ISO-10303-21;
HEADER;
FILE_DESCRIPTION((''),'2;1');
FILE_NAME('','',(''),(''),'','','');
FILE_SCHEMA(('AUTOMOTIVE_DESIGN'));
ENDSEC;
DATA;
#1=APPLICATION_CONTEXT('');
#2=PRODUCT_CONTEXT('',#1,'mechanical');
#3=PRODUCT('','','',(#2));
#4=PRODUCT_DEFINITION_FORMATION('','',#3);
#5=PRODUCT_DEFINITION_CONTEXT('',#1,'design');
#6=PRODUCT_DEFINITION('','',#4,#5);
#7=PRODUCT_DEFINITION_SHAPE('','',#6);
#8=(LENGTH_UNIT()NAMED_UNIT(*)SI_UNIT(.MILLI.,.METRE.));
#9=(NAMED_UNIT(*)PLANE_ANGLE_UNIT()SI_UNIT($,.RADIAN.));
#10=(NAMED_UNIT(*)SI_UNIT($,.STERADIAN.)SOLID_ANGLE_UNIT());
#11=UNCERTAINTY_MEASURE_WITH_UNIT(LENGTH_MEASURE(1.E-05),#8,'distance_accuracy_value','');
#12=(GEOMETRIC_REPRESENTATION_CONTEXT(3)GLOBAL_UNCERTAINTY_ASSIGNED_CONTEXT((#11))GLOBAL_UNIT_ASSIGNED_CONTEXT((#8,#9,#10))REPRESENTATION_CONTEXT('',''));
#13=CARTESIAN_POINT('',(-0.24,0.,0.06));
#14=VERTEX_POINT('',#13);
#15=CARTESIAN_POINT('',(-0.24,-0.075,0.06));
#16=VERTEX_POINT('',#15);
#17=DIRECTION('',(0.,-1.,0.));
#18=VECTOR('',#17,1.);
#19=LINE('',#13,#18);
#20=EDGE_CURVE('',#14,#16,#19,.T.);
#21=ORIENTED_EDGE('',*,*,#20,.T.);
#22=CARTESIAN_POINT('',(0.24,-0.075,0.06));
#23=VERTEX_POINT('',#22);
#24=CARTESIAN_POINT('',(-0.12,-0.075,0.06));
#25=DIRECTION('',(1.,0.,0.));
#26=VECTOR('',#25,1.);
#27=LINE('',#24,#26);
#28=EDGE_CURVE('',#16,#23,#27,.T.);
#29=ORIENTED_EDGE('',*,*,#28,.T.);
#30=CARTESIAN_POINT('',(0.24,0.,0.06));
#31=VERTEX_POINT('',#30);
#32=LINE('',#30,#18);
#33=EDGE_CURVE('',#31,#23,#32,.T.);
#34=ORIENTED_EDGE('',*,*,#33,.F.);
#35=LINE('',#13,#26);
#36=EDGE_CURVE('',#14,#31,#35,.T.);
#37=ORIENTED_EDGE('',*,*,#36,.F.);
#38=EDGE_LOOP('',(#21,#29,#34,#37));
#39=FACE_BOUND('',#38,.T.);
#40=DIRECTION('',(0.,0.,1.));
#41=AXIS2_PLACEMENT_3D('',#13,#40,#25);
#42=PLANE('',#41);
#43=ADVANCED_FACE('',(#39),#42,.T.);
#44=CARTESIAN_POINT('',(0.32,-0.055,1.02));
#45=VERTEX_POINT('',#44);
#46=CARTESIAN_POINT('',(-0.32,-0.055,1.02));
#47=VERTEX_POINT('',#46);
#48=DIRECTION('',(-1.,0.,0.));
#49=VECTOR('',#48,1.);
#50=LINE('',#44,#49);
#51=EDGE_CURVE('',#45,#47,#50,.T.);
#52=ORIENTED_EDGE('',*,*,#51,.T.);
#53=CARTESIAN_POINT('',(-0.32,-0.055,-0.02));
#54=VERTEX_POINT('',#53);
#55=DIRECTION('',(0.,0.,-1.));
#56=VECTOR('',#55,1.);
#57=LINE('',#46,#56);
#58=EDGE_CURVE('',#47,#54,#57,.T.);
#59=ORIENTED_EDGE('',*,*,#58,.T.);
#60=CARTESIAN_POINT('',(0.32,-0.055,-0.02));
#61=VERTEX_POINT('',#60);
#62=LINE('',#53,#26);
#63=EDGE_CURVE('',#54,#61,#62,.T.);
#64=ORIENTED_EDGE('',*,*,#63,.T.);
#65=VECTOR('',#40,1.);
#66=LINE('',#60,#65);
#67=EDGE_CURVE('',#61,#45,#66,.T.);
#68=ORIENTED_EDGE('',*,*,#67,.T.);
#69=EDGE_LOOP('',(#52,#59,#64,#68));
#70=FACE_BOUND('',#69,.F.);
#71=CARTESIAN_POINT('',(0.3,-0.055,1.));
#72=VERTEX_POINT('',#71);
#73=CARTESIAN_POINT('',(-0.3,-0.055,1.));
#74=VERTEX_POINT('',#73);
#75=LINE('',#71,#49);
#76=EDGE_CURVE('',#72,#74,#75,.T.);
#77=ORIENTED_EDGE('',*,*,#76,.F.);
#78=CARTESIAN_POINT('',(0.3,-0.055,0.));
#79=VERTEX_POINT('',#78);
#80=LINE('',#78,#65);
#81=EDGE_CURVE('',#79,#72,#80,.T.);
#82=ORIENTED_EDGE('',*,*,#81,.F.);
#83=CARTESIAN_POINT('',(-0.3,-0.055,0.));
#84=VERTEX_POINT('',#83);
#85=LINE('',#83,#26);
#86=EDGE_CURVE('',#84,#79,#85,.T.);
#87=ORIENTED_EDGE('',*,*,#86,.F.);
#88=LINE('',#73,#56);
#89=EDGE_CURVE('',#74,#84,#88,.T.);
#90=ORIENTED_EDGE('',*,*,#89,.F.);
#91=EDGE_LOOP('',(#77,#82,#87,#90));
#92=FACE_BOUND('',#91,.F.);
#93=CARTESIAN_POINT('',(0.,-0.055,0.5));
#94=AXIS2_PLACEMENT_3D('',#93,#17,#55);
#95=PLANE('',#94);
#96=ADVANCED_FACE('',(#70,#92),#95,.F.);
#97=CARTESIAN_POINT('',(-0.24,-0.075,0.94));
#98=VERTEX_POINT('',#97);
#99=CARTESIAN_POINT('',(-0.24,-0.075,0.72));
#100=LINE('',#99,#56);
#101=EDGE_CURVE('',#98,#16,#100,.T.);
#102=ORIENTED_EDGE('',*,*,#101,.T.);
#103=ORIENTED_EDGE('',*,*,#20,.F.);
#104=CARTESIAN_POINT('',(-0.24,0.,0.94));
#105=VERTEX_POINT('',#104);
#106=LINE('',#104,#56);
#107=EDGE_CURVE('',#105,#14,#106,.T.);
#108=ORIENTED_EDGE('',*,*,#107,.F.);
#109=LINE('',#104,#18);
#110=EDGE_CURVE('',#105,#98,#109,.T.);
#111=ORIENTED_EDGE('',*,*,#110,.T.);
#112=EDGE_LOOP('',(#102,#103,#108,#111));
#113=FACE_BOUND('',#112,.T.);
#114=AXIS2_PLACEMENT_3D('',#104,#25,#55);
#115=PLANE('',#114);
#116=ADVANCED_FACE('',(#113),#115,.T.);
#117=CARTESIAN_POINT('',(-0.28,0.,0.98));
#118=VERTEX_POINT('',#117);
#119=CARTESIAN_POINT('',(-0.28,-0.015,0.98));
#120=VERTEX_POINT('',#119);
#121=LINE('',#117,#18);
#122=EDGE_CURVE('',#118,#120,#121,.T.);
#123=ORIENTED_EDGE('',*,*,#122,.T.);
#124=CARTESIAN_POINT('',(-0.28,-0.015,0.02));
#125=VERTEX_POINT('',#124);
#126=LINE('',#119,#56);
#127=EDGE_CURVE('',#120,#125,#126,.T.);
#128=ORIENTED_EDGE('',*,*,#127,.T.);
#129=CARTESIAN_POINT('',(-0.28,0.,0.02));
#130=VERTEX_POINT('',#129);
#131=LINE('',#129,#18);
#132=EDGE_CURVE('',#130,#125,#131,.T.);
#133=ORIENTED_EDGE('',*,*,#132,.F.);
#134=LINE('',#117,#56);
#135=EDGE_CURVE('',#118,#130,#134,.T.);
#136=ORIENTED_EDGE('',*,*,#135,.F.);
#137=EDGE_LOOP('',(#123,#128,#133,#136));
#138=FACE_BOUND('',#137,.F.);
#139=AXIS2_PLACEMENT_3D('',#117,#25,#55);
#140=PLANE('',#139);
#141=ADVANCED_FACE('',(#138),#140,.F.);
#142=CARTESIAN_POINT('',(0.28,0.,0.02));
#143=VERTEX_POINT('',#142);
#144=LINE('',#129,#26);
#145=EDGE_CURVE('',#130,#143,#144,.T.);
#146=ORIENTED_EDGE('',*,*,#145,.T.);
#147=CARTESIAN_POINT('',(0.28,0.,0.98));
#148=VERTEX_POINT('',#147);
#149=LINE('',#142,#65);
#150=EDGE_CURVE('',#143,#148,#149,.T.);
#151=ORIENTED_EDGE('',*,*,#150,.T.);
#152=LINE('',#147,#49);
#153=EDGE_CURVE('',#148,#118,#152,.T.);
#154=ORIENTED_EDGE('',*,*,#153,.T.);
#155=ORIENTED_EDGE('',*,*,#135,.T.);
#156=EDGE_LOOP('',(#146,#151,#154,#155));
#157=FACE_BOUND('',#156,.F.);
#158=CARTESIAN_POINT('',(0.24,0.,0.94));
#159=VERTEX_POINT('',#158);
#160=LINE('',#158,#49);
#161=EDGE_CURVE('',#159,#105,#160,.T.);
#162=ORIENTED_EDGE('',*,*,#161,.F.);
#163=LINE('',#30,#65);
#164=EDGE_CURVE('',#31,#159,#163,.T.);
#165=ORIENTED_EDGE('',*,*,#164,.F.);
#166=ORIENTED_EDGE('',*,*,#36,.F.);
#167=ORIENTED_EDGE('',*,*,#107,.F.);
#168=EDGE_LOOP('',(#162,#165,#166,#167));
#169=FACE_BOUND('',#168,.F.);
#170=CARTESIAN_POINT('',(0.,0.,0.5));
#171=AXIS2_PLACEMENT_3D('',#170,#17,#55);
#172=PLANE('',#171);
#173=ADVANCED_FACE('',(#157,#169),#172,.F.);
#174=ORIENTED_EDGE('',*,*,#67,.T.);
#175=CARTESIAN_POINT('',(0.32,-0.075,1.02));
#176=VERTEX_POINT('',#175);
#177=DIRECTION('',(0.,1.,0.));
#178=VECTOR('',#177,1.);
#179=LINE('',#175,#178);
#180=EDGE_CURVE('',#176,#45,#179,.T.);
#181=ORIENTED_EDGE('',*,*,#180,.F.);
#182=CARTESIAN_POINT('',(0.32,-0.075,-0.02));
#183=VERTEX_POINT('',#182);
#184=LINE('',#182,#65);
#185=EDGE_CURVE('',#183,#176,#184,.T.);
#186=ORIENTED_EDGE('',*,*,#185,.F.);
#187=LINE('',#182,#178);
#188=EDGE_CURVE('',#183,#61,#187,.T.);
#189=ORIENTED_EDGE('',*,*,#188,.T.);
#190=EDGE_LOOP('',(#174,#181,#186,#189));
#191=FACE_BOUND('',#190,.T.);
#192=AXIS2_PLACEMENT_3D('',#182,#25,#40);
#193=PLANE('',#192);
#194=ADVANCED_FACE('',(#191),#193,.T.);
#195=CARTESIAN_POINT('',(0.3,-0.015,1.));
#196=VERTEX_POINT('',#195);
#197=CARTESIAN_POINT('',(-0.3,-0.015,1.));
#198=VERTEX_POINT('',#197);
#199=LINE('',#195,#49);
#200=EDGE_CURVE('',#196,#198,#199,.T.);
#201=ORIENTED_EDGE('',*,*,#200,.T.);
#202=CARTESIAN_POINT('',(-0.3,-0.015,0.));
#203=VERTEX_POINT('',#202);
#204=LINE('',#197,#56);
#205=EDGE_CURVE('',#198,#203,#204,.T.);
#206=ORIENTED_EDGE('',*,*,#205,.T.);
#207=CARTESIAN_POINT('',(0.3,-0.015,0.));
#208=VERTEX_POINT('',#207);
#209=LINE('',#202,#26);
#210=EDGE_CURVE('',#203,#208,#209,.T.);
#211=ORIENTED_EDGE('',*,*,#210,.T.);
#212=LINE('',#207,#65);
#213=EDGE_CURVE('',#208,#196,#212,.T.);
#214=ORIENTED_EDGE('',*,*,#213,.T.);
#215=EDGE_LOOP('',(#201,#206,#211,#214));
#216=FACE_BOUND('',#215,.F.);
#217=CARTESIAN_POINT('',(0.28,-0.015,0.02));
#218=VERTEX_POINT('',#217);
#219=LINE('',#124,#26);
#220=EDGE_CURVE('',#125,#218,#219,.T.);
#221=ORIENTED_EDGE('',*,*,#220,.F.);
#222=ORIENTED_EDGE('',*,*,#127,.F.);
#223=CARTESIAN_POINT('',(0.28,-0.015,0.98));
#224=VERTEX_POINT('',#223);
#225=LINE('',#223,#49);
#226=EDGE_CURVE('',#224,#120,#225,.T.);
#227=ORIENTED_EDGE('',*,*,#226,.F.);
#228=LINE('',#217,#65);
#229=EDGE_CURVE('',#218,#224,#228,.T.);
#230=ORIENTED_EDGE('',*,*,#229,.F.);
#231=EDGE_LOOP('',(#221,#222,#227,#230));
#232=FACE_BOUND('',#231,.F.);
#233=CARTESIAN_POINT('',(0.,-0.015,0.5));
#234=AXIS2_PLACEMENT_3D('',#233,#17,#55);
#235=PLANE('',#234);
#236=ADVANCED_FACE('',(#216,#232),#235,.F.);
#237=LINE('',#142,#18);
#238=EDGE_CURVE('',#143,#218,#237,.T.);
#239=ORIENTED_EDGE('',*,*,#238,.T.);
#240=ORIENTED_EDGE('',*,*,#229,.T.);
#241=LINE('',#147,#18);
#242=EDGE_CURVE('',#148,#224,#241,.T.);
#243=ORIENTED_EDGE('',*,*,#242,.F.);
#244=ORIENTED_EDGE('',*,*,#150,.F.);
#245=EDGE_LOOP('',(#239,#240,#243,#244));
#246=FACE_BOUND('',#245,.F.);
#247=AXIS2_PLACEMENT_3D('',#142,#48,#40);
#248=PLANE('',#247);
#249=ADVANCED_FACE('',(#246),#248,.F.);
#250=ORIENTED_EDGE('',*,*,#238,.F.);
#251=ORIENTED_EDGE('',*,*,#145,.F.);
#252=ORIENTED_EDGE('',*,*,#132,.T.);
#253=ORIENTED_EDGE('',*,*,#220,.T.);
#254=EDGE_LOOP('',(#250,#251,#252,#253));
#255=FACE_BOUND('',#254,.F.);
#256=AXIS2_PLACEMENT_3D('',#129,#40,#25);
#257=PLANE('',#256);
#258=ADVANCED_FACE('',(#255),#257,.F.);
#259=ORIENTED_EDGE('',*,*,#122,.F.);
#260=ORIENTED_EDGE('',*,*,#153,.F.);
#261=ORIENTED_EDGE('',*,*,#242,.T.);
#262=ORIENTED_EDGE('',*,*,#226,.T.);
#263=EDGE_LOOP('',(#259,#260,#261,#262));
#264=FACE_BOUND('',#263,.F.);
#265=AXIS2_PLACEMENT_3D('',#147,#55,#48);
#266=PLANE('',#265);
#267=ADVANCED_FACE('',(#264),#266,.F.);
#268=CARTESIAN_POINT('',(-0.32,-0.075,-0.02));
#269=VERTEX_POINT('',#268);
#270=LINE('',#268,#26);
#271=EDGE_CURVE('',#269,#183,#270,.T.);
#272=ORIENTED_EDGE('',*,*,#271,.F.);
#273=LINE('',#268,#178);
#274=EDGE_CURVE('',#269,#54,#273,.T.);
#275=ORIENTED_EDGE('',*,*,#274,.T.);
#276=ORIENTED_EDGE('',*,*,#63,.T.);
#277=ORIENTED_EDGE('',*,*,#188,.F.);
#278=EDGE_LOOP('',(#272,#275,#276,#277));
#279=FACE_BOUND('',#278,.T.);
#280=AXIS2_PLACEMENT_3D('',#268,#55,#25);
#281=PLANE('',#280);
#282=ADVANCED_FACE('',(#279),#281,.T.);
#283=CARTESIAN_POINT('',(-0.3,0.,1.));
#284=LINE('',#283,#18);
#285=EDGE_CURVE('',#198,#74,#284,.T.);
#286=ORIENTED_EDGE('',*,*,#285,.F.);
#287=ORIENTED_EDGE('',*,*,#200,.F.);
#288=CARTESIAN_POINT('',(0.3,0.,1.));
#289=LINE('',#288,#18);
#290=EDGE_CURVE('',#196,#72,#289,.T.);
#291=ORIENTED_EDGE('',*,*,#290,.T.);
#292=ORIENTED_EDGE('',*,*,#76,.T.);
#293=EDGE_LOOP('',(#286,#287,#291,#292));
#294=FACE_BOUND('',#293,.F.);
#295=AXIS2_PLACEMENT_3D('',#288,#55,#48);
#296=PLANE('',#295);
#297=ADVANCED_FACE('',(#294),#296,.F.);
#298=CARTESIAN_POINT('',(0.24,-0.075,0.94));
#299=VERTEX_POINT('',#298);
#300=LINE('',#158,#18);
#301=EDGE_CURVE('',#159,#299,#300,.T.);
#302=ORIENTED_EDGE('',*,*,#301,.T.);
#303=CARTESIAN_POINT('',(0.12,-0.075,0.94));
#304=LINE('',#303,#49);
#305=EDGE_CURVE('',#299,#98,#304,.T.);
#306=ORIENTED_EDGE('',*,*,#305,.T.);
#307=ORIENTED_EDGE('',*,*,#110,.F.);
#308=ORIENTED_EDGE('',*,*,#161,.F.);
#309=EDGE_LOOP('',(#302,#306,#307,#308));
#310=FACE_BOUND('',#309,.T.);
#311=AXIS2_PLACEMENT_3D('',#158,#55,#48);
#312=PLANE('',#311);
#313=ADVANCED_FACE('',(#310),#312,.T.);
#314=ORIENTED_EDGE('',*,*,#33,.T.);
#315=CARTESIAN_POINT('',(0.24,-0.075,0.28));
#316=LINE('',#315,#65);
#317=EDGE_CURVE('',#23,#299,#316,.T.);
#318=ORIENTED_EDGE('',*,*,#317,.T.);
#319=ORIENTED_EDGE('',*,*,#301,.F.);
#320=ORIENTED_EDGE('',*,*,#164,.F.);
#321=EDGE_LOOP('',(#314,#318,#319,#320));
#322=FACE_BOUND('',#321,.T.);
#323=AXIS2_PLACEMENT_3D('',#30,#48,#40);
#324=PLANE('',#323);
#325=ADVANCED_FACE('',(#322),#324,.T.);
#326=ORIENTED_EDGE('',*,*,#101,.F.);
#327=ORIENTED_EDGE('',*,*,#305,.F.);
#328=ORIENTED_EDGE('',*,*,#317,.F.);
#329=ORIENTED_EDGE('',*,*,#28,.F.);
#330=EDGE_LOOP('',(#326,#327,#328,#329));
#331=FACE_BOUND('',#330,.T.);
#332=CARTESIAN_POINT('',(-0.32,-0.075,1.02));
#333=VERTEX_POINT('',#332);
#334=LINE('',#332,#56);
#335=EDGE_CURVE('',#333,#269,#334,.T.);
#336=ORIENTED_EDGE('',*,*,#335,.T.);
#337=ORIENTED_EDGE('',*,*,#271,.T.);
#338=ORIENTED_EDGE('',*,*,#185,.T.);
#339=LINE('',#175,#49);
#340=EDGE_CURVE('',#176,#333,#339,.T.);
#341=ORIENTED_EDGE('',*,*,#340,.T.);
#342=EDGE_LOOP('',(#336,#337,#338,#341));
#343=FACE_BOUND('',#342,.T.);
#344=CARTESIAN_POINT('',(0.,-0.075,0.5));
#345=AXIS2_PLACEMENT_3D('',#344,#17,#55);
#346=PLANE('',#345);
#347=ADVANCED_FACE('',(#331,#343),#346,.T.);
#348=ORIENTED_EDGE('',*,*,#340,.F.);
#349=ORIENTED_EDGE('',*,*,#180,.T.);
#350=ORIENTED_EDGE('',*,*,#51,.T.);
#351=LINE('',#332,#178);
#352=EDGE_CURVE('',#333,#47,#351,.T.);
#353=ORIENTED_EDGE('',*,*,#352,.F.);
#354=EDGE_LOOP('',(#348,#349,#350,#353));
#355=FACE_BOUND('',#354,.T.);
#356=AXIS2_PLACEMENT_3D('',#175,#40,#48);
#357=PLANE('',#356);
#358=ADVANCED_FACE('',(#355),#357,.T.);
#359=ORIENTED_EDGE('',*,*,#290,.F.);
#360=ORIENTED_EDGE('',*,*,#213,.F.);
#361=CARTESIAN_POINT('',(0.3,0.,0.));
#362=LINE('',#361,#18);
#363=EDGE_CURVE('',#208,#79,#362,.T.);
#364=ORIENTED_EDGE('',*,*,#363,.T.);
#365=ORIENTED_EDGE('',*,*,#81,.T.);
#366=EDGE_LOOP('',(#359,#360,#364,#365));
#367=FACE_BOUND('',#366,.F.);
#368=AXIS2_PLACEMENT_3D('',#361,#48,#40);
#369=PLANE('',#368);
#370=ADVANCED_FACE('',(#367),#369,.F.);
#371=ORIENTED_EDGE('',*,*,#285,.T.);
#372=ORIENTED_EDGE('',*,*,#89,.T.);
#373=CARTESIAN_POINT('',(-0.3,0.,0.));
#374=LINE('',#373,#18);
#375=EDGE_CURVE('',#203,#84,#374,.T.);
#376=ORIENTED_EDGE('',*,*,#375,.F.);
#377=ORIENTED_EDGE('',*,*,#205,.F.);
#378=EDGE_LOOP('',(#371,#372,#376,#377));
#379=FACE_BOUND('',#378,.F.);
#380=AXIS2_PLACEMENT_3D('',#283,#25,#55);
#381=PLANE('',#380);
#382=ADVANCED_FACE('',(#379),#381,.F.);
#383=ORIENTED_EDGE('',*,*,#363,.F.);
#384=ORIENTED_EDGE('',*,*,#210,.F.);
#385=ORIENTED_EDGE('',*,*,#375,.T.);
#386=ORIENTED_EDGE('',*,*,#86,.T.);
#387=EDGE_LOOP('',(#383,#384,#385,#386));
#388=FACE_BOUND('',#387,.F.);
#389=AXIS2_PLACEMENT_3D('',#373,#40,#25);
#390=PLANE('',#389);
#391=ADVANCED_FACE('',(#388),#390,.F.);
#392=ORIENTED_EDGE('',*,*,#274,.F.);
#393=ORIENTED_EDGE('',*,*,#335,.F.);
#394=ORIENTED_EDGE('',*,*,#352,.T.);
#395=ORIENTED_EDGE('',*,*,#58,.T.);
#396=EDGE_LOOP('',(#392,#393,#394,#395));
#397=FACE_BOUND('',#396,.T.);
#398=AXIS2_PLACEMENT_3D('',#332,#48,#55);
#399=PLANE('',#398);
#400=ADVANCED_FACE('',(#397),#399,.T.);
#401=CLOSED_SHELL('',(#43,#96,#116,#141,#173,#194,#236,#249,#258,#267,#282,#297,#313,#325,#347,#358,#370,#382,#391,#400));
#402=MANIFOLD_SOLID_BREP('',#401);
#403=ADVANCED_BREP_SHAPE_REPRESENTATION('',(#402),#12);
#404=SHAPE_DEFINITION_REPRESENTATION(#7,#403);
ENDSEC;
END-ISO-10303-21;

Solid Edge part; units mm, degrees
sketch "Sketch1" plane through (0, 0, 0) normal (0, -1, 0) x (1, 0, 0)
  line L0 (-0.3, 0) -> (0.3, 0)
  line L1 (0.3, 0) -> (0.3, 1)
  line L2 (0.3, 1) -> (-0.3, 1)
  line L3 (-0.3, 1) -> (-0.3, 0)
  dimension "D1" = 1
  dimension "D2" = 0.6
extrude "Protrusion1" add sketch "Sketch1" along normal blind 0.075
sketch "Sketch2" plane through (0, 0, 0.69) normal (0, 1, 0) x (-1, 0, 0)
  line L0 (-0.24, 0.25) -> (0.24, 0.25)
  line L1 (0.24, 0.25) -> (0.24, -0.63)
  line L2 (0.24, -0.63) -> (-0.24, -0.63)
  line L3 (-0.24, -0.63) -> (-0.24, 0.25)
extrude "Cutout1" cut sketch "Sketch2" against normal up to next
sketch "Sketch3" plane through (0, 0, 0.69) normal (0, 1, 0) x (-1, 0, 0)
  line L0 (-0.28, -0.67) -> (-0.28, 0.29)
  line L1 (-0.28, 0.29) -> (0.28, 0.29)
  line L2 (0.28, 0.29) -> (0.28, -0.67)
  line L3 (0.28, -0.67) -> (-0.28, -0.67)
  line L4 (-0.3, -0.69) -> (-0.3, 0.31)
  line L5 (-0.3, 0.31) -> (0.3, 0.31)
  line L6 (0.3, 0.31) -> (0.3, -0.69)
  line L7 (0.3, -0.69) -> (-0.3, -0.69)
extrude "Ausschnitt_1" cut sketch "Sketch3" against normal blind 0.015
sketch "Sketch4" plane through (0, -0.075, 0.69) normal (0, -1, 0) x (1, 0, 0)
  line L0 (-0.32, 0.33) -> (-0.32, -0.71)
  line L1 (-0.32, -0.71) -> (0.32, -0.71)
  line L2 (0.32, -0.71) -> (0.32, 0.33)
  line L3 (0.32, 0.33) -> (-0.32, 0.33)
  line L4 (0.3, 0.31) -> (-0.3, 0.31)
  line L5 (-0.3, 0.31) -> (-0.3, -0.69)
  line L6 (-0.3, -0.69) -> (0.3, -0.69)
  line L7 (0.3, -0.69) -> (0.3, 0.31)
extrude "Ausprägung_2" add sketch "Sketch4" against normal blind 0.02
